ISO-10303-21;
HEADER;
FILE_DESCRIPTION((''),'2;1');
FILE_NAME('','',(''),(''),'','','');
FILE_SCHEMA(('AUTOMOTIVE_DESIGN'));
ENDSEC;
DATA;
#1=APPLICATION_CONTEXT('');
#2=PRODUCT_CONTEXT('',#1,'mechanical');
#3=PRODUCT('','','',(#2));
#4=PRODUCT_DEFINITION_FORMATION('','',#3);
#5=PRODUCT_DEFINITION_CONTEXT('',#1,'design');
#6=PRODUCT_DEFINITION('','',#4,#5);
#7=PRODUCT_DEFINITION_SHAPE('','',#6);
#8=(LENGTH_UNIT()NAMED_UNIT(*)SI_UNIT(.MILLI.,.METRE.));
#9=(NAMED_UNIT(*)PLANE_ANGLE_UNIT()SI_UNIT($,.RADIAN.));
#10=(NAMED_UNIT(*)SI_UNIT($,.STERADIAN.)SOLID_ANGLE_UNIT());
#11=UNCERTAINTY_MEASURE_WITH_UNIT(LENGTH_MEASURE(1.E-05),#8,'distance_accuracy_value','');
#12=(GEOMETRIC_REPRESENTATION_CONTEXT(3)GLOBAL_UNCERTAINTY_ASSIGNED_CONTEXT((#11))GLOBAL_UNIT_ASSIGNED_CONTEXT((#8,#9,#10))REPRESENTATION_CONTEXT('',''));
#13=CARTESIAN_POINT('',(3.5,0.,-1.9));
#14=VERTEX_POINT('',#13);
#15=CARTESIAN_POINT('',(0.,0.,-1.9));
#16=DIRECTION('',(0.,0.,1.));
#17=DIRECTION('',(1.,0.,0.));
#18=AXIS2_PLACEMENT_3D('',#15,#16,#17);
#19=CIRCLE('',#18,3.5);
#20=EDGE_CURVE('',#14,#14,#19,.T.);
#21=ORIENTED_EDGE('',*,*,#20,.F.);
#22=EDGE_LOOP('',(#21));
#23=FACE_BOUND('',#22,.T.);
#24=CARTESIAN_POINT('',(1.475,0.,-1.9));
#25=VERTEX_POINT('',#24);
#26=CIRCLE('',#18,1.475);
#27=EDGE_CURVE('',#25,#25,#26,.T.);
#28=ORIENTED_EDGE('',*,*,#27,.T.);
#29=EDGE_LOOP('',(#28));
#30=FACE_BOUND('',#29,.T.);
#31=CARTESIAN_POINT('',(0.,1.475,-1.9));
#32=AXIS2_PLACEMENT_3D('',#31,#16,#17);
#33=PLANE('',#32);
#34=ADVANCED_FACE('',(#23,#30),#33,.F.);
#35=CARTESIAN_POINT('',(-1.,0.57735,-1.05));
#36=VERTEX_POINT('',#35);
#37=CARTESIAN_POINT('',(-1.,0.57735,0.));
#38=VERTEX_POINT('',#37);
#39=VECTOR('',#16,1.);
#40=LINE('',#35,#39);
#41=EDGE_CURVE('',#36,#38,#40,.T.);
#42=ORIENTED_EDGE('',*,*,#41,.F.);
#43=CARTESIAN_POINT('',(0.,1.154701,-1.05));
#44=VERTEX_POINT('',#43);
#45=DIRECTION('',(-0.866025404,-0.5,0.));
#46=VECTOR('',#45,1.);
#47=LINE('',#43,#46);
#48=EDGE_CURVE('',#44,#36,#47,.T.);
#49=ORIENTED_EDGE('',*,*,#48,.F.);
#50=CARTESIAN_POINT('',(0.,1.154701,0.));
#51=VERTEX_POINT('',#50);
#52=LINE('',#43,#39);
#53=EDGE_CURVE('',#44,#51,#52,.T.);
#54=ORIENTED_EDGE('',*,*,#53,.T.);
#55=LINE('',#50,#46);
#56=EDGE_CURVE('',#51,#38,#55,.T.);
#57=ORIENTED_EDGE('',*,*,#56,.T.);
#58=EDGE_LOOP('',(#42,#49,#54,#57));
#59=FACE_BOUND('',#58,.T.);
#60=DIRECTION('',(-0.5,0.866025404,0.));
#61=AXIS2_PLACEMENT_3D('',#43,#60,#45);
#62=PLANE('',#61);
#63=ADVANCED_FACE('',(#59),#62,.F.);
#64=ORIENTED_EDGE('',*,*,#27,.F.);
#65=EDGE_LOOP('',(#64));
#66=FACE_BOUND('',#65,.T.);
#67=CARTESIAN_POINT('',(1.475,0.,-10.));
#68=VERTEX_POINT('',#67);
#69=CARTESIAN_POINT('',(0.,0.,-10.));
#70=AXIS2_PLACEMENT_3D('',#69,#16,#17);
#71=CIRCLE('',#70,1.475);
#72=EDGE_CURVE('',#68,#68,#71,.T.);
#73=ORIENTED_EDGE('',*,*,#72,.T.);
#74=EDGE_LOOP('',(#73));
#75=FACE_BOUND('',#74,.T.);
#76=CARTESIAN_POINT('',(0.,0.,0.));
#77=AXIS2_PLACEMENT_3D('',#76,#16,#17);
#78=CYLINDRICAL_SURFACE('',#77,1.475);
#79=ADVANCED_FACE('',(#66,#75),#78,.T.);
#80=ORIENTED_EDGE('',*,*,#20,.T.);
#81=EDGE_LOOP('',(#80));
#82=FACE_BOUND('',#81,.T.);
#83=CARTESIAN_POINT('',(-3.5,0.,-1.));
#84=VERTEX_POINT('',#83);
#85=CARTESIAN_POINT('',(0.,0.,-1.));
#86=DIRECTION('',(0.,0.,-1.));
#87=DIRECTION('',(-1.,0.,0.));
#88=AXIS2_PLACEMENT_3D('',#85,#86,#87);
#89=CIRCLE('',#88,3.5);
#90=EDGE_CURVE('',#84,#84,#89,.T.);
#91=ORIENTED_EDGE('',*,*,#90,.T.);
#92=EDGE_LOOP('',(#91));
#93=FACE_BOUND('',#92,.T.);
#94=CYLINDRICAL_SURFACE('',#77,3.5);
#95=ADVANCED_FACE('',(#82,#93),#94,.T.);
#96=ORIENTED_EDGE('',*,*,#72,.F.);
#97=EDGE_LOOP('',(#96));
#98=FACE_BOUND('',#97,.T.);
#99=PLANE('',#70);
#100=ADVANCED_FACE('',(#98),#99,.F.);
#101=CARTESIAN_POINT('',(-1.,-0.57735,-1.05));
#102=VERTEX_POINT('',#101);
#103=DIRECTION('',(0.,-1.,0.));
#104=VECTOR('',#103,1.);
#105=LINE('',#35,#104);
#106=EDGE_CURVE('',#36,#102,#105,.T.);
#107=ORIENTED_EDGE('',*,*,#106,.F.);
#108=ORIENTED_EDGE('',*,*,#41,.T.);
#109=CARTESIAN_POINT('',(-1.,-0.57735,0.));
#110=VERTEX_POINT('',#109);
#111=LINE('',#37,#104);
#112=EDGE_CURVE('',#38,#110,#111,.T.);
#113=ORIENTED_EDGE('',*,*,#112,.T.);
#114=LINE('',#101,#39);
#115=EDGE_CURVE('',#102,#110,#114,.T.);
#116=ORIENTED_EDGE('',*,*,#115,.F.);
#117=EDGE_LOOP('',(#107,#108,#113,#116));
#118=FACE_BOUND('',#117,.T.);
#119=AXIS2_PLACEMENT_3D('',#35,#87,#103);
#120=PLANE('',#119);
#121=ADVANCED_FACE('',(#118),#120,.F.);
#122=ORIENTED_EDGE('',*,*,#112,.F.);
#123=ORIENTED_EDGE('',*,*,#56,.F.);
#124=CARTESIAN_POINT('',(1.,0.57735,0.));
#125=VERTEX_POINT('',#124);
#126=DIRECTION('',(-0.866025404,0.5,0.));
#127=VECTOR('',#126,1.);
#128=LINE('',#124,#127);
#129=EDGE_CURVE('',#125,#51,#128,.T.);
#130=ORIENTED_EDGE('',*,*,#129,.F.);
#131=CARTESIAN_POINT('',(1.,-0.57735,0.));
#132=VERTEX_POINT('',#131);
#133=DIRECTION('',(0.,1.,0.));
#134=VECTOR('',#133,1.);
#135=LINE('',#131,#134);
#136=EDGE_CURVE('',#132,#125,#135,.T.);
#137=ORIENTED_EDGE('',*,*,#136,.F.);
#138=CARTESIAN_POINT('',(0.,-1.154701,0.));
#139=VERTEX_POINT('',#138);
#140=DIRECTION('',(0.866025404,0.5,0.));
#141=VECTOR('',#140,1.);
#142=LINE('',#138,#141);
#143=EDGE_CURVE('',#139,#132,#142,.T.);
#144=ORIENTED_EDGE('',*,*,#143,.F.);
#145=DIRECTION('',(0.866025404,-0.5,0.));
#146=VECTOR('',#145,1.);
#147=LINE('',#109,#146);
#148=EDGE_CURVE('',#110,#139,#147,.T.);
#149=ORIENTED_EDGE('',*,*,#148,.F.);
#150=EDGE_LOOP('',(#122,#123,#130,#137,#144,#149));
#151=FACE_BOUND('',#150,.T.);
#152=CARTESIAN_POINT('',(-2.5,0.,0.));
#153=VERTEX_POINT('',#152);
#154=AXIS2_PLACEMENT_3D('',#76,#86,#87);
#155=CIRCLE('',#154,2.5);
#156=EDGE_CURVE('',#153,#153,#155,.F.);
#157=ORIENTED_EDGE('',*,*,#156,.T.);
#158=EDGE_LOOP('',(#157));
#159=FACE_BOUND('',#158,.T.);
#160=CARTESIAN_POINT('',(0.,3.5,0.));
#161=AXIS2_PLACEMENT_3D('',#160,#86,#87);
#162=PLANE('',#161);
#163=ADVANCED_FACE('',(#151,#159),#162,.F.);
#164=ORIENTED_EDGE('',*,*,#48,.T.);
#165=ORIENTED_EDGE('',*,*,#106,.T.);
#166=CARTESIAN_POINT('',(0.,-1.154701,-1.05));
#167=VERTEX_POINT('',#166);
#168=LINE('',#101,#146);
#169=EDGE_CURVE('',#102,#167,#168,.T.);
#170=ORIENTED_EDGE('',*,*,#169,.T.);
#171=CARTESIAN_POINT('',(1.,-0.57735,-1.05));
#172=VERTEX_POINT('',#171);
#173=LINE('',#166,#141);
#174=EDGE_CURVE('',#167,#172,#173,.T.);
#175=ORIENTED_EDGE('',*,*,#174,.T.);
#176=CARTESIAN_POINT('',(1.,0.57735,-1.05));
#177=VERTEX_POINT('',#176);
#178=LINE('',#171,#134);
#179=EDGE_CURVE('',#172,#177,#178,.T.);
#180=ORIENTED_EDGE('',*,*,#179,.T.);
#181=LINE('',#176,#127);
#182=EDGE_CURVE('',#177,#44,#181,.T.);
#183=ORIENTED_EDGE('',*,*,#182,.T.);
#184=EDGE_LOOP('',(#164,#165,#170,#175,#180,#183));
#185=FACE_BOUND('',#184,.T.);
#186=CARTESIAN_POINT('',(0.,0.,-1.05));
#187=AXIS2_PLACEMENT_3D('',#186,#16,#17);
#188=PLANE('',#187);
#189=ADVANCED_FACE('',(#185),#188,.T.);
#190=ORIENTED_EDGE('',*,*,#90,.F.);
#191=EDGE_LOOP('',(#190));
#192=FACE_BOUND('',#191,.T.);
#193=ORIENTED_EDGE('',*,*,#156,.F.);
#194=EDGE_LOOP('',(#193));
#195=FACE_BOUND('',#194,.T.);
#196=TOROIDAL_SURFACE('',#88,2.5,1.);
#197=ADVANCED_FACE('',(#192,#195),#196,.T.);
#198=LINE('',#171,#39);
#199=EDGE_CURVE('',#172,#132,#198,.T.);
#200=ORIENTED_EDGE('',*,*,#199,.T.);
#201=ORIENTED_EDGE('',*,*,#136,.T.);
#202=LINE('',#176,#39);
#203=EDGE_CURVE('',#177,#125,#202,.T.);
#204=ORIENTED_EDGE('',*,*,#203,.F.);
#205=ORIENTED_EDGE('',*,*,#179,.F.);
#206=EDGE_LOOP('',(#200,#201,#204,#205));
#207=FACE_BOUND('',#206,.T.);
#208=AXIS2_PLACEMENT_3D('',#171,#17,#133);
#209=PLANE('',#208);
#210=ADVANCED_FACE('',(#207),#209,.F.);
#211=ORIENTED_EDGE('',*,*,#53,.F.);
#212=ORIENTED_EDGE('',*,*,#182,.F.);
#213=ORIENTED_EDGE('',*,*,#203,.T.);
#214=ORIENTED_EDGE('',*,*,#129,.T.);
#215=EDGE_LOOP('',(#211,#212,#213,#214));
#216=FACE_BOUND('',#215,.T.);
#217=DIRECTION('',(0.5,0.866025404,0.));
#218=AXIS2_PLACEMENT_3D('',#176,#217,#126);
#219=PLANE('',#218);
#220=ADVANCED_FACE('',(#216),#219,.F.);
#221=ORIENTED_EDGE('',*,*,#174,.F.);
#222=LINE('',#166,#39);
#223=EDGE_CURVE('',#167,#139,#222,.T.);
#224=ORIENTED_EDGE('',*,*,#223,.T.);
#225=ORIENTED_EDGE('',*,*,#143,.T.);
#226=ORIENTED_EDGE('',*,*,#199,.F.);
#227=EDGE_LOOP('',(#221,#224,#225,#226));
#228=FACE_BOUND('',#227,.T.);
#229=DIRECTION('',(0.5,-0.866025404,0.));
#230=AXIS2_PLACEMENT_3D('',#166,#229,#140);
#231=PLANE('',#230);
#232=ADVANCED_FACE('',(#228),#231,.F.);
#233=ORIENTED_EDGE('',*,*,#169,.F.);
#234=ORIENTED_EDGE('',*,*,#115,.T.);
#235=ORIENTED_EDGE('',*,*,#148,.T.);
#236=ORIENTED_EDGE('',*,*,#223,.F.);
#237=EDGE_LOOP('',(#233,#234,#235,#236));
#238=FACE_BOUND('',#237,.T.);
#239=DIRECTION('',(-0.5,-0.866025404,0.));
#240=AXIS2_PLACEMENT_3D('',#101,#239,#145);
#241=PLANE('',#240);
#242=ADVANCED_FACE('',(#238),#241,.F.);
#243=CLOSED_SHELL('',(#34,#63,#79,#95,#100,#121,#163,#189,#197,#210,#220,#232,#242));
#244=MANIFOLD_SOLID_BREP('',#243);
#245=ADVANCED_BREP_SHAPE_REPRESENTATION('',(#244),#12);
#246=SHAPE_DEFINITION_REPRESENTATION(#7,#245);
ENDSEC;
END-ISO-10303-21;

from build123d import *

# Parameters (mm, degrees)
FILLET1_R          = 1
CUT_EXTRUDE1_DEPTH = 1.05


with BuildPart() as part:
    # Sketch1 → Revolve1 (revolve)
    with BuildSketch(Plane(origin=(0, 0, 0), x_dir=(0, 0, -1), z_dir=(1, 0, 0)), mode=Mode.PRIVATE) as revolve1_sk:
        Polygon((1.9, 1.475), (1.9, 3.5), (0, 3.5), (0, 0), (10, 0), (10, 1.475), align=None)
    revolve(revolve1_sk.sketch.rotate(Axis((0, 0, 0), (0, 0, -1)), 90), axis=Axis((0, 0, 0), (0, 0, -1)))

    # Fillet1
    fillet1_edges = [part.edges().sort_by_distance(p)[0] for p in [
        (-3.5, 0, 0),
    ]]
    fillet(fillet1_edges, radius=FILLET1_R)

    # Sketch2 → Cut-Extrude1 (cut)
    with BuildSketch(Plane.XY):
        Polygon((0, 1.154700538), (-1, 0.577350269), (-1, -0.577350269), (0, -1.154700538), (1, -0.577350269), (1, 0.577350269), align=None)
    extrude(amount=-CUT_EXTRUDE1_DEPTH, mode=Mode.SUBTRACT)


solid = part.part
